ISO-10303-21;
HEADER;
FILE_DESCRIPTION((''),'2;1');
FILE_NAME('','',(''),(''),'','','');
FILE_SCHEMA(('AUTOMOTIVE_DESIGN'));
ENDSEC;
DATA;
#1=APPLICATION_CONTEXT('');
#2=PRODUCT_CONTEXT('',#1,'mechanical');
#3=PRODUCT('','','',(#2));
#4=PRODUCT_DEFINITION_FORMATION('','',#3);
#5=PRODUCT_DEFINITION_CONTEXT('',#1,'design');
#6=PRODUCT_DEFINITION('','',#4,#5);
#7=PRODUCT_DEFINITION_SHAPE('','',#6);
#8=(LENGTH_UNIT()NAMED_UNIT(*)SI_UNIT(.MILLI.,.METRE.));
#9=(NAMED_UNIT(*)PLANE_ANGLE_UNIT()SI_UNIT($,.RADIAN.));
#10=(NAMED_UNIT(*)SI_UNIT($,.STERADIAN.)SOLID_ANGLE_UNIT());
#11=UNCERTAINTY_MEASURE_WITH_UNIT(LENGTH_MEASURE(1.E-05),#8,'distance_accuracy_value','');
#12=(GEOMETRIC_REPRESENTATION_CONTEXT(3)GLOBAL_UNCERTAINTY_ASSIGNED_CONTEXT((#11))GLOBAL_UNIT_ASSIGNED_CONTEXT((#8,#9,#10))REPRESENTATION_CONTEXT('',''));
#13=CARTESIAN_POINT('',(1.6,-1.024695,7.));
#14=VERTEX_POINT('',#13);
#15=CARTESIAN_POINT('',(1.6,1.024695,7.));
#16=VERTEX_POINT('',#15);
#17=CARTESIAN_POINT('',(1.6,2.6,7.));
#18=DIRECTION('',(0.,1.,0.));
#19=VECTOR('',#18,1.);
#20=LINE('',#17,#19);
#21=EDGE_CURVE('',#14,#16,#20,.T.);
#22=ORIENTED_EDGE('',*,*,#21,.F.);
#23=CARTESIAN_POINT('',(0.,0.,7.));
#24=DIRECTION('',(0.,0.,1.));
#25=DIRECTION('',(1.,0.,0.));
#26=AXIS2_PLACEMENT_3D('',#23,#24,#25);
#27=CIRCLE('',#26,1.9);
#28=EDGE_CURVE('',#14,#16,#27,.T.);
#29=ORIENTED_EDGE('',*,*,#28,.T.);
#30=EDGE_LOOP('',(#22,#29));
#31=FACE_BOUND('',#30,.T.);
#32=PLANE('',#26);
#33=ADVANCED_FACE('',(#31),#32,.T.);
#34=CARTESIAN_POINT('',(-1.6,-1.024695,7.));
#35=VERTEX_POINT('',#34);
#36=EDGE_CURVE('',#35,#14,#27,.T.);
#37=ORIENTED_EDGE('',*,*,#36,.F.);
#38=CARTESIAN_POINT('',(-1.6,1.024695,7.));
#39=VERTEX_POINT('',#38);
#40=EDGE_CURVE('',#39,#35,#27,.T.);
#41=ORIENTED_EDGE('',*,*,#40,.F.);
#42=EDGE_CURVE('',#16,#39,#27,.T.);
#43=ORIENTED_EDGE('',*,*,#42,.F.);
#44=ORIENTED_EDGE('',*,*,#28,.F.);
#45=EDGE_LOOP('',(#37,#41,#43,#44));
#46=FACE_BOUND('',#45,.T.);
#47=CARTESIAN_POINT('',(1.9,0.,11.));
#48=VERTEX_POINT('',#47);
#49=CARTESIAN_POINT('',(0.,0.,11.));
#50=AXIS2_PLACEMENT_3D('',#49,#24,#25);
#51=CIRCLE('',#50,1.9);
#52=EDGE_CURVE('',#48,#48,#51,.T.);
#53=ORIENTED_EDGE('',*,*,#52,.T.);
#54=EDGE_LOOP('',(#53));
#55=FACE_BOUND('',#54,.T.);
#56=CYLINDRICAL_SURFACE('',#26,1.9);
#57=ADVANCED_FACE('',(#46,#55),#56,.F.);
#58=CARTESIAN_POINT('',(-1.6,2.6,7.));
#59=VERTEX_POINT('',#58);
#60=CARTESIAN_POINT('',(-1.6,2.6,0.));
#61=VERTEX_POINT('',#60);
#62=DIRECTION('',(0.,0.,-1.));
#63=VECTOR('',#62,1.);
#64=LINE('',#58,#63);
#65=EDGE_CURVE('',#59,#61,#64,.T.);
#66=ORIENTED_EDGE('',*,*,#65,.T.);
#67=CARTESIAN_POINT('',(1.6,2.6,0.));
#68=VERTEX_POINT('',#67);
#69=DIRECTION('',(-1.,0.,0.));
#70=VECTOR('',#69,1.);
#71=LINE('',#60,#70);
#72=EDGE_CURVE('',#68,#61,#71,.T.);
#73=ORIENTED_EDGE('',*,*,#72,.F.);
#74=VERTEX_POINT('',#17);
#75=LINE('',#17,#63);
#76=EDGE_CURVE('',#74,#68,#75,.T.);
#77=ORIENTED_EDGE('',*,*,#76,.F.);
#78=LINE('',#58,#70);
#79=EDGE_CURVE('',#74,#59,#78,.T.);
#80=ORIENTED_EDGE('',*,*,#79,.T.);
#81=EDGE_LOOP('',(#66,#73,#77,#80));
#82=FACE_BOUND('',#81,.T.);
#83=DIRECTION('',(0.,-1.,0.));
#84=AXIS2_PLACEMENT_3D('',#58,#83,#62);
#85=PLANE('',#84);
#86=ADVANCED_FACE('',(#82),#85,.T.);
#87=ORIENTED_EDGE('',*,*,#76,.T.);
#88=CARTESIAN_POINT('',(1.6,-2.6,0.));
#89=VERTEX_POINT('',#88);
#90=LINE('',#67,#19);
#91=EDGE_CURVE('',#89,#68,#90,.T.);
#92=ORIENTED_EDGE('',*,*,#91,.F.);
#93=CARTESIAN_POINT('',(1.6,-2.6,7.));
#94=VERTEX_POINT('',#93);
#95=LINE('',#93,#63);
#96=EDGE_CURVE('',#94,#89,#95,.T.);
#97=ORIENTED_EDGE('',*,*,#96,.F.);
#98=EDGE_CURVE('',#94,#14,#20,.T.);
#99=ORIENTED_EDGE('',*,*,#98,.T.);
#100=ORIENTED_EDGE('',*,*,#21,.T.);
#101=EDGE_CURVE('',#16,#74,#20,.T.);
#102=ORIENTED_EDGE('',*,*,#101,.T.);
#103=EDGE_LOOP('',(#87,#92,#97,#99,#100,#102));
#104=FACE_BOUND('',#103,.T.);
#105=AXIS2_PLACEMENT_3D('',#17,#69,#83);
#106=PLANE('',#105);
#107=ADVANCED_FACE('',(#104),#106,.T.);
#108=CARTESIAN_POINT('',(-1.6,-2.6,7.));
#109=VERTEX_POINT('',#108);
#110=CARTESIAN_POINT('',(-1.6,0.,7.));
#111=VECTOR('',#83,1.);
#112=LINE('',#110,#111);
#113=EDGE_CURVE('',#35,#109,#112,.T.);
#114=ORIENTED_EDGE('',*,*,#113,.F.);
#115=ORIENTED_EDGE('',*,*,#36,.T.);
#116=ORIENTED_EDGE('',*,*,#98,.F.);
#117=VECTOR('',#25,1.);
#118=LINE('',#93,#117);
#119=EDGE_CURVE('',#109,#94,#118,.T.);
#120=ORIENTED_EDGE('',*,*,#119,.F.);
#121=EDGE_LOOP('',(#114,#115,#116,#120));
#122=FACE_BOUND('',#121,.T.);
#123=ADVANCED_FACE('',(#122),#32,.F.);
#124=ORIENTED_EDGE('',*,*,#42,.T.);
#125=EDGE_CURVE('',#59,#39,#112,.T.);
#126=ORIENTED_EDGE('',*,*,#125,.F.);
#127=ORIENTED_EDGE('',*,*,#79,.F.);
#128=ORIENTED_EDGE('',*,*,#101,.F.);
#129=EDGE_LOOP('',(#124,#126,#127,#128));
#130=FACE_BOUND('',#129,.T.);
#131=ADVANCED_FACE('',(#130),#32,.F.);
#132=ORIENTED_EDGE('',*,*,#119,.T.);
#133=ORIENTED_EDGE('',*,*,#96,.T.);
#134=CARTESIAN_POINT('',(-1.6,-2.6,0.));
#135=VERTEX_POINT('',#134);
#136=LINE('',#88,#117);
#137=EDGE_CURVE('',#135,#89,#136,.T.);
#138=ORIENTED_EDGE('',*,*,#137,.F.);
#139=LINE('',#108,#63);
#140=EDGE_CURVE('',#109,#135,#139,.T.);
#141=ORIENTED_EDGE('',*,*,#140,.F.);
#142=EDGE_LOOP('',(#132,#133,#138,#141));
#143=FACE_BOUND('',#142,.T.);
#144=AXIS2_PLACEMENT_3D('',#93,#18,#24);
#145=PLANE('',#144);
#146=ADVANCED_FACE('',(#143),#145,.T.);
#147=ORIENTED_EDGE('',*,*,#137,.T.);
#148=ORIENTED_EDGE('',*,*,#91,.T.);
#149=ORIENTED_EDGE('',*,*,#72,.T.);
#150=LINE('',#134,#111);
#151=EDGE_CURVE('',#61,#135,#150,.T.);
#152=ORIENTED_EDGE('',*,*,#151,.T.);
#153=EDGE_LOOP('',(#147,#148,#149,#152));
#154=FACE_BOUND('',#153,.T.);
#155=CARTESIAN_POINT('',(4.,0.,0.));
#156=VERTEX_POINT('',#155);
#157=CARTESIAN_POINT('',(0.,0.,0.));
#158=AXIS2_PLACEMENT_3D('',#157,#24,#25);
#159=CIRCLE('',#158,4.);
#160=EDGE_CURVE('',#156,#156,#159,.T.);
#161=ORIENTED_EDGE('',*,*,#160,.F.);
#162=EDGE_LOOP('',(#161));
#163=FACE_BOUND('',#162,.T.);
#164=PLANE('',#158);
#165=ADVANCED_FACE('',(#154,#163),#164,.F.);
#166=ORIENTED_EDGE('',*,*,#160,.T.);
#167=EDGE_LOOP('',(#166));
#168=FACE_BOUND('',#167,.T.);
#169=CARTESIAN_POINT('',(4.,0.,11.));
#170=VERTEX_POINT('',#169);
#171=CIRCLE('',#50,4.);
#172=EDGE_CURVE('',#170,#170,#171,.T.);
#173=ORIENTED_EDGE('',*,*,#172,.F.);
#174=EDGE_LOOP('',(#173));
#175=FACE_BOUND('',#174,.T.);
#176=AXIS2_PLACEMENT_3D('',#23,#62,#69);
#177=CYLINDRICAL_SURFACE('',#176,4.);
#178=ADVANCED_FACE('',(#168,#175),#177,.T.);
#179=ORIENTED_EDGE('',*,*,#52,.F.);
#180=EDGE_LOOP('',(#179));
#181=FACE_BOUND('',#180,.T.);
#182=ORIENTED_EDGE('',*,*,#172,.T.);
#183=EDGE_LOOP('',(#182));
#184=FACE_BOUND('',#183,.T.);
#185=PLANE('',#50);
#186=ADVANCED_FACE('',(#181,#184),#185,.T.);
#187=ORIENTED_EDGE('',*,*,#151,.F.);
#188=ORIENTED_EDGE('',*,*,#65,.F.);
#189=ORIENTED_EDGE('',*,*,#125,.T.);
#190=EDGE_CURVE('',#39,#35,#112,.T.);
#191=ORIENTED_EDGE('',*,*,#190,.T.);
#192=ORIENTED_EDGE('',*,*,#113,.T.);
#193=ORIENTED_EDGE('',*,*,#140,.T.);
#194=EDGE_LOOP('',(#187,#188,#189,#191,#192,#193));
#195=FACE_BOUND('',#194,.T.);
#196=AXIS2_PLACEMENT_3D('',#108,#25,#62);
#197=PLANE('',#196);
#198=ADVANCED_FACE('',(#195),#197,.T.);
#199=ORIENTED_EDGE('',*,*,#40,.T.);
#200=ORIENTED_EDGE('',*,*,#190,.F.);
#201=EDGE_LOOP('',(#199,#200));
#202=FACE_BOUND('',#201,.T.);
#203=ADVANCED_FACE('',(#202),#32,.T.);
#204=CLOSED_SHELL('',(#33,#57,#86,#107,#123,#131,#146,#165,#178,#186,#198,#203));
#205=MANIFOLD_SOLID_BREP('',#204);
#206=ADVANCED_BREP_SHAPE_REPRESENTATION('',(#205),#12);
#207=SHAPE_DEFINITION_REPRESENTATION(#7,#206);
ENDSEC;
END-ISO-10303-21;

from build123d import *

# Parameters (mm, degrees)
SKETCH1_R           = 4
BOSS_EXTRUDE1_DEPTH = 7
SKETCH2_R           = 4
BOSS_EXTRUDE2_DEPTH = 4
SKETCH3_R           = 1.9
CUT_EXTRUDE1_DEPTH  = 4


with BuildPart() as part:
    # Sketch1 → Boss-Extrude1 (new body)
    with BuildSketch(Plane.XY):
        Circle(SKETCH1_R)
        Polygon((-1.6, 0), (-1.6, 2.6), (1.6, 2.6), (1.6, -2.6), (-1.6, -2.6), align=None, mode=Mode.SUBTRACT)
    extrude(amount=BOSS_EXTRUDE1_DEPTH)

    # Sketch2 → Boss-Extrude2 (add)
    with BuildSketch(Plane.XY.offset(7)):
        Circle(SKETCH2_R)
    extrude(amount=BOSS_EXTRUDE2_DEPTH)

    # Sketch3 → Cut-Extrude1 (cut)
    with BuildSketch(Plane.XY.offset(11)):
        Circle(SKETCH3_R)
    extrude(amount=-CUT_EXTRUDE1_DEPTH, mode=Mode.SUBTRACT)


solid = part.part
